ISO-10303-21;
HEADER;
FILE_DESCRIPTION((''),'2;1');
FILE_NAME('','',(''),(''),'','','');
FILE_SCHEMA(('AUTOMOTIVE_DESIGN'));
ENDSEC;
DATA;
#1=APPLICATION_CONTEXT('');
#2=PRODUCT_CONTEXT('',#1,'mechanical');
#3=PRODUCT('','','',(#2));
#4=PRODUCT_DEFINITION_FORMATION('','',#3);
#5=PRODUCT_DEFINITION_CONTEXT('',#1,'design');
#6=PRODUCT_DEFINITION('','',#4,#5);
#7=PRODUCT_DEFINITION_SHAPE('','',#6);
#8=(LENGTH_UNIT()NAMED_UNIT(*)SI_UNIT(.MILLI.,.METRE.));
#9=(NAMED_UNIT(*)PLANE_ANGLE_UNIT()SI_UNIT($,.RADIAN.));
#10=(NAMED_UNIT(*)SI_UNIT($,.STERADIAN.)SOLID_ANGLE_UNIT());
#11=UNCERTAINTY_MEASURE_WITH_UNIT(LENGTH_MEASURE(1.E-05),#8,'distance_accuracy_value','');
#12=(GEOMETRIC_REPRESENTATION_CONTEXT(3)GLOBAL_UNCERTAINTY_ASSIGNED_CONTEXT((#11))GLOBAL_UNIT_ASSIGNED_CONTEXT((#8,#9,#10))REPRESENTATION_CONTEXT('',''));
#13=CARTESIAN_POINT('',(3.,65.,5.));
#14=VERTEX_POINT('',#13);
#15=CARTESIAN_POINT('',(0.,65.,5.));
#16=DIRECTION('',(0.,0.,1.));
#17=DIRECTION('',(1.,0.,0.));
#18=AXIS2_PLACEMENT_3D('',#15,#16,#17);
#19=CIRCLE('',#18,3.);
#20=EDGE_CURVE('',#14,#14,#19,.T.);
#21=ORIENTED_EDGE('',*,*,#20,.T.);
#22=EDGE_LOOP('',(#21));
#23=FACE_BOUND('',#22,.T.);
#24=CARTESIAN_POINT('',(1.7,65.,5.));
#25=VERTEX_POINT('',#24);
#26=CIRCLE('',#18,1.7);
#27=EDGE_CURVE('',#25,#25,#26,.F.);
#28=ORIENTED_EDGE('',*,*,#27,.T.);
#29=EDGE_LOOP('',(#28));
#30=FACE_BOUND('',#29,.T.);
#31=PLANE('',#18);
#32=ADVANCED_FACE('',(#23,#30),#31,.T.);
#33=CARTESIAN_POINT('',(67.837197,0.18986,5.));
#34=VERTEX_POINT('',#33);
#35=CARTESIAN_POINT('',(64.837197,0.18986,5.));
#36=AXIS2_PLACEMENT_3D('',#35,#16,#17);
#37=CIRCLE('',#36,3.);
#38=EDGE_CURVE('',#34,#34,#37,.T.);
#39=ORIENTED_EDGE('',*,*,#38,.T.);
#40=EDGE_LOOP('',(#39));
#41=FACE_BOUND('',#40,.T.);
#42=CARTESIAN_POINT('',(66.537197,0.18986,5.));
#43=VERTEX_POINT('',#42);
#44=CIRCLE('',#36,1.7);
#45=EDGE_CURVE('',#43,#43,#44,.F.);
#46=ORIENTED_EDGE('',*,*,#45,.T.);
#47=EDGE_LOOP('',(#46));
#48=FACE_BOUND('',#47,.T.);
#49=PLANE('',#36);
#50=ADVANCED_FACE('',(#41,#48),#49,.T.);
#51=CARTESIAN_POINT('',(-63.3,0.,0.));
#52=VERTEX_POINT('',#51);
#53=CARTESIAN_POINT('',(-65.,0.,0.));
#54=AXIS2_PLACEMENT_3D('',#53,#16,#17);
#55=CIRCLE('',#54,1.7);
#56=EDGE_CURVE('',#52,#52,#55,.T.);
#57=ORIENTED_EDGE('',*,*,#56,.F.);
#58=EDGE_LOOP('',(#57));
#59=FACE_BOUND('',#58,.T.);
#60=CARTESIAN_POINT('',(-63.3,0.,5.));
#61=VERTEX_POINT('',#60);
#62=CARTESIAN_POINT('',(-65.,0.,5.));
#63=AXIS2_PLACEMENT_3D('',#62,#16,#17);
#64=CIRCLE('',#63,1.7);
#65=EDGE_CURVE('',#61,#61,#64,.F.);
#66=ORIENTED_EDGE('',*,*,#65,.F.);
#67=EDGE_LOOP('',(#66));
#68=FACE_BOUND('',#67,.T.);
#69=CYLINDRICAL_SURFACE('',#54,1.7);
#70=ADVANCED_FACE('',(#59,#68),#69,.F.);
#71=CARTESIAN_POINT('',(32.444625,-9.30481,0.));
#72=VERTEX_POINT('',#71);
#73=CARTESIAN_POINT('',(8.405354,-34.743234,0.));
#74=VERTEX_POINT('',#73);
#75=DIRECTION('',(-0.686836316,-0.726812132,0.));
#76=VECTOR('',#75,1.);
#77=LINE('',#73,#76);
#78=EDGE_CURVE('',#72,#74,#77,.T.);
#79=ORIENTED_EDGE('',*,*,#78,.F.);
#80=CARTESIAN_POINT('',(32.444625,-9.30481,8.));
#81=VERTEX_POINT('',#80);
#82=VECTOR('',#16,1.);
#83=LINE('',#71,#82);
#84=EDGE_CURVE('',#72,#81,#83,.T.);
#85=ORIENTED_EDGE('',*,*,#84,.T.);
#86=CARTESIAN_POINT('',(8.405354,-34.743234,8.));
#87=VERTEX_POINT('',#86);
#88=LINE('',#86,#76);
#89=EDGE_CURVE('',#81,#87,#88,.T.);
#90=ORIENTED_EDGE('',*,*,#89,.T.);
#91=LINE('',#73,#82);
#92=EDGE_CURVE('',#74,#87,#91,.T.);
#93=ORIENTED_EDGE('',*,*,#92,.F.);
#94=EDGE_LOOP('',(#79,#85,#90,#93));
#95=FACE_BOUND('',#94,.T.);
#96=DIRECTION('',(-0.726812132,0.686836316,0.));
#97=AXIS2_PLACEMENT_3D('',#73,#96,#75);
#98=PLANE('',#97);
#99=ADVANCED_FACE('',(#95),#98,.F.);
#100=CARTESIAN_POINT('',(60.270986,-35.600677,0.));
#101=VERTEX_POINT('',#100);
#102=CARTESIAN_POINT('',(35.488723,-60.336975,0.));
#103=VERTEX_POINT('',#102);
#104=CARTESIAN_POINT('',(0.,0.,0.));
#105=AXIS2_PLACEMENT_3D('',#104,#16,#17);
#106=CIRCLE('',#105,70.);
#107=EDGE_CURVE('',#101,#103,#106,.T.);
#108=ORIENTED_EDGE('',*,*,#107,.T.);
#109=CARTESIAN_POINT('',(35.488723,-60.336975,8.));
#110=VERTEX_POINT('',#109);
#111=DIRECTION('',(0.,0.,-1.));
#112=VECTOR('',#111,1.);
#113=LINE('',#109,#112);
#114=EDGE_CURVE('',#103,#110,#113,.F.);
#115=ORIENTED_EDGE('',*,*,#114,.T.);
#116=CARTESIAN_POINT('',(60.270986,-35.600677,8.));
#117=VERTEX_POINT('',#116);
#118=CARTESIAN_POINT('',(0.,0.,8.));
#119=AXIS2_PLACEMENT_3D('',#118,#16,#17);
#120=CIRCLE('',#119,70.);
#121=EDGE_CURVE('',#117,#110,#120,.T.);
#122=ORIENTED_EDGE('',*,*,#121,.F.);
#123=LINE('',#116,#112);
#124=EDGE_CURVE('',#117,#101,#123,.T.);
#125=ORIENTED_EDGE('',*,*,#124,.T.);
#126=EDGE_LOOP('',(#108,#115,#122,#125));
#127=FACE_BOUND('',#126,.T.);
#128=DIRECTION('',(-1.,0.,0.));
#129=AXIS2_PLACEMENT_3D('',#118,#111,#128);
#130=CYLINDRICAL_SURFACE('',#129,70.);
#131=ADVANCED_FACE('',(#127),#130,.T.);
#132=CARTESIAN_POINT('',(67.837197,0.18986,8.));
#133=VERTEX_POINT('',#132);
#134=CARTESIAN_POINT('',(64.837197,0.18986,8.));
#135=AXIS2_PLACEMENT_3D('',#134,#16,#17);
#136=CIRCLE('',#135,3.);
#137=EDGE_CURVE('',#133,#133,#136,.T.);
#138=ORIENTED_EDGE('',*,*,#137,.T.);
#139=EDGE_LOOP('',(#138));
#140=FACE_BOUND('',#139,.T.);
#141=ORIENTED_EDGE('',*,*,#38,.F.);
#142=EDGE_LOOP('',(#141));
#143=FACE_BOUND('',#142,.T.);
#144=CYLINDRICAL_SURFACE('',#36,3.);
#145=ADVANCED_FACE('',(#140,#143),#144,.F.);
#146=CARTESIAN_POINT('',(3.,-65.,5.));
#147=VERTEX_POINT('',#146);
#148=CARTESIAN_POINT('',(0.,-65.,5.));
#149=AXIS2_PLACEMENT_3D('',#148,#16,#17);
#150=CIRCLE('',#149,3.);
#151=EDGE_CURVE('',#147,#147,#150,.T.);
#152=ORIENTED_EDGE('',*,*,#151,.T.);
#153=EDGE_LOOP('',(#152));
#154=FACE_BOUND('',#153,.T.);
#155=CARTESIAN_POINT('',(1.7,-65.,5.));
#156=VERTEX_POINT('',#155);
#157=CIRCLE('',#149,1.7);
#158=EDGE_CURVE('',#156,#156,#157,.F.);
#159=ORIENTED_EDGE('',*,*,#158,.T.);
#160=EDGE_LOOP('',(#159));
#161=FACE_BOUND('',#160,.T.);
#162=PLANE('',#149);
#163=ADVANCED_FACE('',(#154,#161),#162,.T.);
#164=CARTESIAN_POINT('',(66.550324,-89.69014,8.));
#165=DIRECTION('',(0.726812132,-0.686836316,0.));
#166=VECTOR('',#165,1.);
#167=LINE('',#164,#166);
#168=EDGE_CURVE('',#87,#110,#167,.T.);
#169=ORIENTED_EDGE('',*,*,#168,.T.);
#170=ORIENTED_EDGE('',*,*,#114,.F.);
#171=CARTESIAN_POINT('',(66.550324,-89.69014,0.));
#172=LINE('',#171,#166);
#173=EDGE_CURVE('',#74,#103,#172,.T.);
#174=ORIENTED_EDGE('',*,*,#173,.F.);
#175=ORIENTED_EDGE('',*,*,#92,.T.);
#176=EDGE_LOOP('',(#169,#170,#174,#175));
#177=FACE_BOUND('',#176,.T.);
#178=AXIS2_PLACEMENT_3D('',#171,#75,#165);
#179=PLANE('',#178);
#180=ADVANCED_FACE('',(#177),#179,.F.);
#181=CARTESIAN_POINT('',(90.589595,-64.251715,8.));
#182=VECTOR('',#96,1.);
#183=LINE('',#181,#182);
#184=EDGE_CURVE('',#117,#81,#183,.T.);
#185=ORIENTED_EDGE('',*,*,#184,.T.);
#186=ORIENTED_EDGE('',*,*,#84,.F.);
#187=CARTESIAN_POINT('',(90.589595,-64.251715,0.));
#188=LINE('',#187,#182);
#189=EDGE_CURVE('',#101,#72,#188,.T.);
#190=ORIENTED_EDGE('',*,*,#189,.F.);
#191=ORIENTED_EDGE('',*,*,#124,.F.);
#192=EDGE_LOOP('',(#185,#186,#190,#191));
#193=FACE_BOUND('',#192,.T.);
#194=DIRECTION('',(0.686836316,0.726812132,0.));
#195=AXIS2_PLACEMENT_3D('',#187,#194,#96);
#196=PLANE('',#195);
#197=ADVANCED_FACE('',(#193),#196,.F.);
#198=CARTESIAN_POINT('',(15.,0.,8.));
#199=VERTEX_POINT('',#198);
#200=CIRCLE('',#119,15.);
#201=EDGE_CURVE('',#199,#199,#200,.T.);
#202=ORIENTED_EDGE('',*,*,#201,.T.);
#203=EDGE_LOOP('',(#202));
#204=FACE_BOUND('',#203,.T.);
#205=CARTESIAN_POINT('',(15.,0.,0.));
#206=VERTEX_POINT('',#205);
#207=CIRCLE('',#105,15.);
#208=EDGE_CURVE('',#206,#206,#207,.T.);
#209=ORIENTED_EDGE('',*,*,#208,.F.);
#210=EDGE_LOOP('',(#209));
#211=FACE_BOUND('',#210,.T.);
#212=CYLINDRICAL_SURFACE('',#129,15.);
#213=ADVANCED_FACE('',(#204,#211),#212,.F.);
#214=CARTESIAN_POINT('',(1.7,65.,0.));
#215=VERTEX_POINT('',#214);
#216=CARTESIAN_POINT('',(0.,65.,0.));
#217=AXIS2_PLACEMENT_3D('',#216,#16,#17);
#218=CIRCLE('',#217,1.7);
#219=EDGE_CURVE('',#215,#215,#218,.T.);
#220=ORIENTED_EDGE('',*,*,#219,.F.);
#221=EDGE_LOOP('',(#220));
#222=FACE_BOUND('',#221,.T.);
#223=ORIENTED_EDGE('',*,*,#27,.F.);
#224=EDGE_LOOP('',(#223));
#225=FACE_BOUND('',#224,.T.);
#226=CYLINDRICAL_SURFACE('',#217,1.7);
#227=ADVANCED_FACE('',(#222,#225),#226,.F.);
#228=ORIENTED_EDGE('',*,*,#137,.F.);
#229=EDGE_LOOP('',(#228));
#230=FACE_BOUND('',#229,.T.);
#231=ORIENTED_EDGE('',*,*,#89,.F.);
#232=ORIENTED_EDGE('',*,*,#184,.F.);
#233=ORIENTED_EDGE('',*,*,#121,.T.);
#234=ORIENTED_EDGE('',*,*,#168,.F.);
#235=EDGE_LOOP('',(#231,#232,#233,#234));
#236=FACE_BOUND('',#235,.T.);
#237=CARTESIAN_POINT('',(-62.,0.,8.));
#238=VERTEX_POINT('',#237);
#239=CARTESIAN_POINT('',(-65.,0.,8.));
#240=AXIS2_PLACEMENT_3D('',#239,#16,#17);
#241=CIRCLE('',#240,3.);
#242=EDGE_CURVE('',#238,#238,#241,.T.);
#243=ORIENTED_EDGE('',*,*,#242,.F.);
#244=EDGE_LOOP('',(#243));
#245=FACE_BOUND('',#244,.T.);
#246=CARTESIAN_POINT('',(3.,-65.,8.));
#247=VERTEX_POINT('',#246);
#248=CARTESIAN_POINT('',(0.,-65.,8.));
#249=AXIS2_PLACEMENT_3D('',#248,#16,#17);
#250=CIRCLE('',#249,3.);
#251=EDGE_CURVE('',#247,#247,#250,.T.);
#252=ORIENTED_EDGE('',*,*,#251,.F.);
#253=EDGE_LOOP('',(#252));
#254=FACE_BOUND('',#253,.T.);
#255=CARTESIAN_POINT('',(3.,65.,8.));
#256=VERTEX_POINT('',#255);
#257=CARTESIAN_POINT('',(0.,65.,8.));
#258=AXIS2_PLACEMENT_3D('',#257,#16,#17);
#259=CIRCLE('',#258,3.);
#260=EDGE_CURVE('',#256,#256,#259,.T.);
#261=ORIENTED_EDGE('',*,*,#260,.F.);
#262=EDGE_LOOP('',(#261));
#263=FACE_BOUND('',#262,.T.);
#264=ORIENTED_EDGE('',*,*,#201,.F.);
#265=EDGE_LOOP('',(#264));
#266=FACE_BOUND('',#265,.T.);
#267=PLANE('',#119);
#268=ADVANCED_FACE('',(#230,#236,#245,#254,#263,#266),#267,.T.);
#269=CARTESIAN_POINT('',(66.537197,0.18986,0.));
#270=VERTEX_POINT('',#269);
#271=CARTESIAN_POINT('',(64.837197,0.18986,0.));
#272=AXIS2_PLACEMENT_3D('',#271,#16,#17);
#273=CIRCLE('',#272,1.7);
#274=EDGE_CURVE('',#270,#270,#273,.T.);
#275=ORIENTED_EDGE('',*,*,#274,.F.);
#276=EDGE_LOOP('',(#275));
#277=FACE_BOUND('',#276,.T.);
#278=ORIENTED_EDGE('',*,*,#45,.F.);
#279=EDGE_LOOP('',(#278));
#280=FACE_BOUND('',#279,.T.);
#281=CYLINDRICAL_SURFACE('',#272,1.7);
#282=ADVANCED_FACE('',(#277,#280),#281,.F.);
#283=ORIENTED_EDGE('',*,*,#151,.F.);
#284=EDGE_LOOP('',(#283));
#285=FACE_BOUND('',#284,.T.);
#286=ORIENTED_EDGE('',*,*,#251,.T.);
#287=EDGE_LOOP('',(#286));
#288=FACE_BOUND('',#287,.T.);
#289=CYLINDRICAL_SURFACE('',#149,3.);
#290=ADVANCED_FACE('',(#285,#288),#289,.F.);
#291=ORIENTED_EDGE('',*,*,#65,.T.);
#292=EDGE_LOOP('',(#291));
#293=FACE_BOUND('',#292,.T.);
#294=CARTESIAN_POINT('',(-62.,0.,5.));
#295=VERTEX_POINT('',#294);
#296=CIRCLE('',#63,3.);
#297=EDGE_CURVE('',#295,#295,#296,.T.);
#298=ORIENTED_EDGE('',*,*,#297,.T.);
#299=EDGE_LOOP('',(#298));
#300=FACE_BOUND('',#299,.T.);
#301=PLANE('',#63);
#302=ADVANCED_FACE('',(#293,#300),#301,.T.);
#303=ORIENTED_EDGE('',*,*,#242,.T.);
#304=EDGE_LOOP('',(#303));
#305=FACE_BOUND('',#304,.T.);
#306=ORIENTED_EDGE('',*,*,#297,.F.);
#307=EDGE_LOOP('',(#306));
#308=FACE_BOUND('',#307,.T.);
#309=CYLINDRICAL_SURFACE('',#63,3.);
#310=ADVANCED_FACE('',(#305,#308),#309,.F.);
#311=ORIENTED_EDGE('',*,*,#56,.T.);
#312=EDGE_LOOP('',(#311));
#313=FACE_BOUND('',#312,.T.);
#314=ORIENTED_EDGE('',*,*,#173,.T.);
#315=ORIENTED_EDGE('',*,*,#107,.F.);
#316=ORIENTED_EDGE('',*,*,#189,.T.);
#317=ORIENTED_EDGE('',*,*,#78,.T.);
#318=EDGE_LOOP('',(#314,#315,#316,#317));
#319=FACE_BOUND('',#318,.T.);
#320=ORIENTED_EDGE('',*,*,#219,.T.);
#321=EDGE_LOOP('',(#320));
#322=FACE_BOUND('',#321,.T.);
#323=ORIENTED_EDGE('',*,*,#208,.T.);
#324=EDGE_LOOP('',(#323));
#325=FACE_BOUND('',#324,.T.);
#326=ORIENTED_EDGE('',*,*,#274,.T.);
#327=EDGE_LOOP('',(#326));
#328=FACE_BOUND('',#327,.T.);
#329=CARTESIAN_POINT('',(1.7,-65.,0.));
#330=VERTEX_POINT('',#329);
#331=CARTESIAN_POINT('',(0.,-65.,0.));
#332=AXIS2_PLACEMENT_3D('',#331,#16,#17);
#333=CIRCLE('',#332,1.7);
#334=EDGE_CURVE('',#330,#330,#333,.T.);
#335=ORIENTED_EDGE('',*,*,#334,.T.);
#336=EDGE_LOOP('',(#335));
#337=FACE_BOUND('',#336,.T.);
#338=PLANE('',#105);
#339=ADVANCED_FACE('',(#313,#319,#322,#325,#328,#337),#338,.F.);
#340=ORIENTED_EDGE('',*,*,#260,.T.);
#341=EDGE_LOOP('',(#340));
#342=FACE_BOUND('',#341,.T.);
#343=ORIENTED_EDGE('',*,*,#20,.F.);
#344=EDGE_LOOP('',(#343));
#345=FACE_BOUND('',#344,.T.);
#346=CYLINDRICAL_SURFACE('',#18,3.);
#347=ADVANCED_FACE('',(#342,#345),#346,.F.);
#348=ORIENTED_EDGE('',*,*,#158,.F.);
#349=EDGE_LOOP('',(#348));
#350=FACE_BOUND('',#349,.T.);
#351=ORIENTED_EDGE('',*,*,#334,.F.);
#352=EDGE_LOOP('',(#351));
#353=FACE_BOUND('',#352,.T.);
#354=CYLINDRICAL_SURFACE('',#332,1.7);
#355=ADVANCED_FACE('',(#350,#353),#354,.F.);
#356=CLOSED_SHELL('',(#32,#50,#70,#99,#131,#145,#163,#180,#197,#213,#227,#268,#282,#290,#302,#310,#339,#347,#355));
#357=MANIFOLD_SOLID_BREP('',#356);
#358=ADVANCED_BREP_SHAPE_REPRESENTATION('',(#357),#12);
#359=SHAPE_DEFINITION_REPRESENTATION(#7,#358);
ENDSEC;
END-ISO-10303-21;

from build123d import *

# Parameters (mm, degrees)
SKIZZE1_R                       = 70
SKIZZE1_R_2                     = 15
AUFSATZ_LINEAR_AUSTRAGEN1_DEPTH = 8
SKIZZE2_R                       = 1.7
SCHNITT_LINEAR_AUSTRAGEN1_DEPTH = 8
SKIZZE3_R                       = 3
SCHNITT_LINEAR_AUSTRAGEN2_DEPTH = 3
SCHNITT_LINEAR_AUSTRAGEN3_DEPTH = 8


with BuildPart() as part:
    # Skizze1 → Aufsatz-Linear austragen1 (new body)
    with BuildSketch(Plane(origin=(0, 0, 0), x_dir=(0, 1, 0), z_dir=(0, 0, 1))):
        with Locations(Location((0, 0, 0), (0, 0, 270))):
            Circle(SKIZZE1_R)
        with Locations(Location((0, 0, 0), (0, 0, 270))):
            Circle(SKIZZE1_R_2, mode=Mode.SUBTRACT)
    extrude(amount=AUFSATZ_LINEAR_AUSTRAGEN1_DEPTH)

    # Skizze2 → Schnitt-Linear austragen1 (cut)
    with BuildSketch(Plane.XY.offset(8)):
        with Locations((0, 65)):
            Circle(SKIZZE2_R)
        with Locations((64.837196687, 0.18986002)):
            Circle(SKIZZE2_R)
        with Locations((0, -65)):
            Circle(SKIZZE2_R)
        with Locations((-65, 0)):
            Circle(SKIZZE2_R)
    extrude(amount=-SCHNITT_LINEAR_AUSTRAGEN1_DEPTH, mode=Mode.SUBTRACT)

    # Skizze3 → Schnitt-Linear austragen2 (cut)
    with BuildSketch(Plane.XY.offset(8)):
        with Locations((0, 65)):
            Circle(SKIZZE3_R)
        with Locations((64.837196687, 0.18986002)):
            Circle(SKIZZE3_R)
        with Locations((0, -65)):
            Circle(SKIZZE3_R)
        with Locations((-65, 0)):
            Circle(SKIZZE3_R)
    extrude(amount=-SCHNITT_LINEAR_AUSTRAGEN2_DEPTH, mode=Mode.SUBTRACT)

    # Skizze4 → Schnitt-Linear austragen3 (cut)
    with BuildSketch(Plane.XY.offset(8)):
        Polygon((66.550324449, -89.690139622), (8.405353871, -34.743234372), (32.444624917, -9.304809744), (90.589595495, -64.251714994), align=None)
    extrude(amount=-SCHNITT_LINEAR_AUSTRAGEN3_DEPTH, mode=Mode.SUBTRACT)


solid = part.part
